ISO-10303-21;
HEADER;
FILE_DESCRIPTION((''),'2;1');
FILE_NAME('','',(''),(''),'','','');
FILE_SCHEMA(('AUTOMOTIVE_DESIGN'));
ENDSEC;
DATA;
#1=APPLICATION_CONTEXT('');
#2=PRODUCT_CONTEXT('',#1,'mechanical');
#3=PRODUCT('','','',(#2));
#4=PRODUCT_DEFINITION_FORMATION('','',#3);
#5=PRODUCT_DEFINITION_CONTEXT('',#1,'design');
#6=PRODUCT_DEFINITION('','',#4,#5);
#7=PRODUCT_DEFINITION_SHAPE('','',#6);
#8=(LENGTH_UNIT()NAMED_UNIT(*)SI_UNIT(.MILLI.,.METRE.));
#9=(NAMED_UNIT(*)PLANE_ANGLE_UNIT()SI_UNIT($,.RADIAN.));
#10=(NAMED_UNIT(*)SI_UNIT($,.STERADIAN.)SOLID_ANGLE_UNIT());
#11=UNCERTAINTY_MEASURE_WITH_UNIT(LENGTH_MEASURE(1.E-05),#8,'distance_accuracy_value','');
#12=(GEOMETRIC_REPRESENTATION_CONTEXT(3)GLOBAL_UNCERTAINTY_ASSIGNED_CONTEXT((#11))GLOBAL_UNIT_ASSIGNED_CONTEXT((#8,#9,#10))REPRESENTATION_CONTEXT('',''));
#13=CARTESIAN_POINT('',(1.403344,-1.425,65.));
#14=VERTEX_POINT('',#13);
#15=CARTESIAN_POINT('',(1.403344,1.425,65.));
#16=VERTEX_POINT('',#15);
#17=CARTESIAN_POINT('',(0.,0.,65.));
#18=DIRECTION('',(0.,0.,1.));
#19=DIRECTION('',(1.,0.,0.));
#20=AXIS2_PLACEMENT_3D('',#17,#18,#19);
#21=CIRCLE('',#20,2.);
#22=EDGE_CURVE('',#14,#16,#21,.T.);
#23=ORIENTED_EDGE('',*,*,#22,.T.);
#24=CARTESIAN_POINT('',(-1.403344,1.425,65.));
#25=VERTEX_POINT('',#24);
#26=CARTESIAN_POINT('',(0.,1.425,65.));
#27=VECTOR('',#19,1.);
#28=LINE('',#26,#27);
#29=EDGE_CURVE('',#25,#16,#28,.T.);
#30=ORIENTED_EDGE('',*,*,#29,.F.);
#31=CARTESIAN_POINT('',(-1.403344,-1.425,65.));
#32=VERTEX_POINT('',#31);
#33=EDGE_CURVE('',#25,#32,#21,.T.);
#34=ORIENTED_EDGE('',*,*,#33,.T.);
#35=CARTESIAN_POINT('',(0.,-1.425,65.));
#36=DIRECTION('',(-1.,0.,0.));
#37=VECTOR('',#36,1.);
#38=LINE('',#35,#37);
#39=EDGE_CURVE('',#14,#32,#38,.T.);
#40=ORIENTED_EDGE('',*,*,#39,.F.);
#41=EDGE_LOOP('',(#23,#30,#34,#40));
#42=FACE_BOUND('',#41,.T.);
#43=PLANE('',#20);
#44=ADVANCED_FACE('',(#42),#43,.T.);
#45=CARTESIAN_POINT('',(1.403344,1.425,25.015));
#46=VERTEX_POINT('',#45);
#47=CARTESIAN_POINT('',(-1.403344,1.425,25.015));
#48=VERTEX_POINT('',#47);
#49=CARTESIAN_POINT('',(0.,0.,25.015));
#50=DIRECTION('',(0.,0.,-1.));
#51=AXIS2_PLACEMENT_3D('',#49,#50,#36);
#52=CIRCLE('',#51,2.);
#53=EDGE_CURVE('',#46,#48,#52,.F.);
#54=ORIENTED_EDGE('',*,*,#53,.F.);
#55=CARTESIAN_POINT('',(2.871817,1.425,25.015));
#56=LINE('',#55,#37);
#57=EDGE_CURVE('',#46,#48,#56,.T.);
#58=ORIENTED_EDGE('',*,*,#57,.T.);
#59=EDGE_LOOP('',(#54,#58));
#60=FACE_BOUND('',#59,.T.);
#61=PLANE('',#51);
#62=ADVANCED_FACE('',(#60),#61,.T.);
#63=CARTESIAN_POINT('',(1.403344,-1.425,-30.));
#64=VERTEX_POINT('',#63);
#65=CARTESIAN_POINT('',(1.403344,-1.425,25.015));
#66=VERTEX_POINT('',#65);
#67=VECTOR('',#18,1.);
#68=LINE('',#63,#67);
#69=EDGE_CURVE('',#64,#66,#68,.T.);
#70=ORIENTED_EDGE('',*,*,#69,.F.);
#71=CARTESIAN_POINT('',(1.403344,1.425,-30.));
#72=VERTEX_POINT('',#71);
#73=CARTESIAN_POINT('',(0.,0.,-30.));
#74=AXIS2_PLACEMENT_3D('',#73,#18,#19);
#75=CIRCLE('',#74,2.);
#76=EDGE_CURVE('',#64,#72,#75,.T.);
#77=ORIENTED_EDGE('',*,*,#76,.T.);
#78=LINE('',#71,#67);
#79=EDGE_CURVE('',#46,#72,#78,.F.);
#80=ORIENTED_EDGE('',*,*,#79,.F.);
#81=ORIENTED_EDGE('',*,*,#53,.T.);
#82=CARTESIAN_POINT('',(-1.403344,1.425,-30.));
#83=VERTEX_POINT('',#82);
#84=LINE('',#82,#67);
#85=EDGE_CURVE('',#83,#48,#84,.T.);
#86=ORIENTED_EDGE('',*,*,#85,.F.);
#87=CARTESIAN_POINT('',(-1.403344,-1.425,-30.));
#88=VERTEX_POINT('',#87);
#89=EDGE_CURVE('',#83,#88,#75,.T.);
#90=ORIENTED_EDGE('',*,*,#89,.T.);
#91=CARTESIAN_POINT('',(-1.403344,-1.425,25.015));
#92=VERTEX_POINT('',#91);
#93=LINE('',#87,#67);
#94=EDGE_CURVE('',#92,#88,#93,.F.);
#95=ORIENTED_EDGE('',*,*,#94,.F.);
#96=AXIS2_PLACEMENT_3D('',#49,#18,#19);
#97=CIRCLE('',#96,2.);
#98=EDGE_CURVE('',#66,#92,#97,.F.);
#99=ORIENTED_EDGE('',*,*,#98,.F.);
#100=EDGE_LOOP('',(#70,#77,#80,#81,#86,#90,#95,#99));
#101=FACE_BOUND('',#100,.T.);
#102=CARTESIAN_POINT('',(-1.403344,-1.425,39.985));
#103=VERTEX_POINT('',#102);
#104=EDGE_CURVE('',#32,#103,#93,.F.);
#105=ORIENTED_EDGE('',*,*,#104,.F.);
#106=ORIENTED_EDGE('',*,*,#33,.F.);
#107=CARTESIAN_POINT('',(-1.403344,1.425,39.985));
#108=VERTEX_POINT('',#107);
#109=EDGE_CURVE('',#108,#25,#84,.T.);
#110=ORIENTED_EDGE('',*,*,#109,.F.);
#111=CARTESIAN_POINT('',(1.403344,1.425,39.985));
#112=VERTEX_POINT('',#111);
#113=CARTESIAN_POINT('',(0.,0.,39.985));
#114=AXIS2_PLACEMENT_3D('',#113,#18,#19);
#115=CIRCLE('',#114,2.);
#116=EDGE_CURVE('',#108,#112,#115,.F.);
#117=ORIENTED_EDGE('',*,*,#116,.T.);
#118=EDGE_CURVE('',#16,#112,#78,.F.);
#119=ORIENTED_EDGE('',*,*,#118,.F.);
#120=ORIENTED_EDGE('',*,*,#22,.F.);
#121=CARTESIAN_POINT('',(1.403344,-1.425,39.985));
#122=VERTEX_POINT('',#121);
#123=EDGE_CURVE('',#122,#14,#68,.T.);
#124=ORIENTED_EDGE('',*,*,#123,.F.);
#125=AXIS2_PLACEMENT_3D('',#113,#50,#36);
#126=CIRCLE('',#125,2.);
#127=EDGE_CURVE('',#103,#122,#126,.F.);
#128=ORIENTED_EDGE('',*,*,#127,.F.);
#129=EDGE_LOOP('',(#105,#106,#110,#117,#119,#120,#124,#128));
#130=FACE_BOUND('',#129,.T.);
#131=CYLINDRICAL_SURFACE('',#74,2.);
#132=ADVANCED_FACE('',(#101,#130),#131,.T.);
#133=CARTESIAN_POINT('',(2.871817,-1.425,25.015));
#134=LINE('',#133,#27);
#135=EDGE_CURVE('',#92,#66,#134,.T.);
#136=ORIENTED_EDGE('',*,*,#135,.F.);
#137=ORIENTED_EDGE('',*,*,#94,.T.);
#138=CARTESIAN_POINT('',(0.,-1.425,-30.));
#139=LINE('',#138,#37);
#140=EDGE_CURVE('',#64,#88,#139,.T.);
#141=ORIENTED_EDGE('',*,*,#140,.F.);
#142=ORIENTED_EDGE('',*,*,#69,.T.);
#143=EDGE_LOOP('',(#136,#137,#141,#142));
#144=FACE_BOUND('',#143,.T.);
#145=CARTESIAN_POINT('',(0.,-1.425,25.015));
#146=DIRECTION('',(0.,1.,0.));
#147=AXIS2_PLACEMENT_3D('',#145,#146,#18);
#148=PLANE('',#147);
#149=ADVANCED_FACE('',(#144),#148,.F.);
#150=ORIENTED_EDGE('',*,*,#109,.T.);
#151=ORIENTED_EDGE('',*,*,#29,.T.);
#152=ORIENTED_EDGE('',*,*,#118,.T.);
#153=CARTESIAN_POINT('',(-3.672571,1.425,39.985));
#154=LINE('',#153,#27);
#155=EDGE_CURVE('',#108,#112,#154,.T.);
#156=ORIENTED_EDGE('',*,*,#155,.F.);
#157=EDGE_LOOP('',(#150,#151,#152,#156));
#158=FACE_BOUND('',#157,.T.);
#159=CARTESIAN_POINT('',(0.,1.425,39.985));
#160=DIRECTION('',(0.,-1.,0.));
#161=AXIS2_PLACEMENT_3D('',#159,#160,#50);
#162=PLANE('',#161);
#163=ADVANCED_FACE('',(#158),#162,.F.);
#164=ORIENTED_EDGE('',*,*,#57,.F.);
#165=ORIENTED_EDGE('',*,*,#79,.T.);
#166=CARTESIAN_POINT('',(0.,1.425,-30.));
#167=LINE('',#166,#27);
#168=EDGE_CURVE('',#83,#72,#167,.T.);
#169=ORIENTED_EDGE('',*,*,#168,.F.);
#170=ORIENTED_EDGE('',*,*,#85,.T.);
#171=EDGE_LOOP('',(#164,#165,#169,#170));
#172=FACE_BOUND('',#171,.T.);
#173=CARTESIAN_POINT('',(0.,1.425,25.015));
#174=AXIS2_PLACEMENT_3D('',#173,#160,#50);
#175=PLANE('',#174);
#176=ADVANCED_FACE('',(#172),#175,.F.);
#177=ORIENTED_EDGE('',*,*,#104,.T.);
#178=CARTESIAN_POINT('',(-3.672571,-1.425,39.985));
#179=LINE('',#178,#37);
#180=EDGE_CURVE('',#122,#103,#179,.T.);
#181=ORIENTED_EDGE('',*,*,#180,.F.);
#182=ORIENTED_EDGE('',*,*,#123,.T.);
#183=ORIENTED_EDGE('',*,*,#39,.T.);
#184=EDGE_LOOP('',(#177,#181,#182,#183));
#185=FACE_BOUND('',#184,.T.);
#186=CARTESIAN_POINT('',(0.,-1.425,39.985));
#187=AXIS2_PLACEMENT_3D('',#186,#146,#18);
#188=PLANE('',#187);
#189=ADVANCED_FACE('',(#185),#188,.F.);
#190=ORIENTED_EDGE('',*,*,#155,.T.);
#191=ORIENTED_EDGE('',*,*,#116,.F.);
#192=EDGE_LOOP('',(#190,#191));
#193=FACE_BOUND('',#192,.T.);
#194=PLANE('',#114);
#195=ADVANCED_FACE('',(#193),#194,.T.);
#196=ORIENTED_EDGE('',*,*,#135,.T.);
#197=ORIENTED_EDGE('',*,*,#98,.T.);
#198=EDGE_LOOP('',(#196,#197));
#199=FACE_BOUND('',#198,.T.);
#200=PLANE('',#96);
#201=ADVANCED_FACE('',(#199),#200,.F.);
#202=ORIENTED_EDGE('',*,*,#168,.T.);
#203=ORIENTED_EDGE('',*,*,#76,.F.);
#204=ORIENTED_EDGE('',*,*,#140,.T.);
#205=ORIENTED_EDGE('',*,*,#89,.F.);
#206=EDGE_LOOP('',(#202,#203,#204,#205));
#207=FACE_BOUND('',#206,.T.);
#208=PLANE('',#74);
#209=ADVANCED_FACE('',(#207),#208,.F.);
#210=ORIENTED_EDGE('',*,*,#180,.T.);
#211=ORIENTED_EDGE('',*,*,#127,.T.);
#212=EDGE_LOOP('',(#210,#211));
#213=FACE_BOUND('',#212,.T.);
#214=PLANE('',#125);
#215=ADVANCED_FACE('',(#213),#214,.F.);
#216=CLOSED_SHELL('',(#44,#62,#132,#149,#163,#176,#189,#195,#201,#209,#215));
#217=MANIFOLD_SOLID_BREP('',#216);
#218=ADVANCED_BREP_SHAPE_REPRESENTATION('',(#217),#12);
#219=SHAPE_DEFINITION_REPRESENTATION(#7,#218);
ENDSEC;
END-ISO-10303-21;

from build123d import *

# Parameters (mm, degrees)
RESSALTO_EXTRUS_O1_DEPTH      = 65
RESSALTO_EXTRUS_O1_DEPTH_BACK = 30
ESBO_O1_R                     = 2
CORTE_EXTRUS_O4_DEPTH         = 25.015
CORTE_EXTRUS_O5_DEPTH         = 55.015


with BuildPart() as part:
    # Esboço1 → Ressalto-extrusão1 (new, two sides: drawn at the far end of the back side and taken through both)
    with BuildSketch(Plane.XY.offset(-RESSALTO_EXTRUS_O1_DEPTH_BACK)):
        Circle(ESBO_O1_R)
    extrude(amount=RESSALTO_EXTRUS_O1_DEPTH + RESSALTO_EXTRUS_O1_DEPTH_BACK)

    # Esboço5 → Corte-extrusão4 (cut)
    with BuildSketch(Plane.XY.offset(65)):
        Polygon((0, 1.425), (2.691542187, 1.425), (2.691542187, 2.754428638), (-3.67257147, 2.754428638), (-3.67257147, 1.425), align=None)
        Polygon((0, -1.425), (2.691542187, -1.425), (2.691542187, -2.855047036), (-3.67257147, -2.855047036), (-3.67257147, -1.425), align=None)
    extrude(amount=-CORTE_EXTRUS_O4_DEPTH, mode=Mode.SUBTRACT)

    # Esboço6 → Corte-extrusão5 (cut)
    with BuildSketch(Plane(origin=(0, 0, -30), x_dir=(-1, 0, 0), z_dir=(0, 0, -1))):
        Polygon((0, 1.425), (2.641232941, 1.425), (2.641232941, 2.588827525), (-2.871816769, 2.588827525), (-2.871816769, 1.425), align=None)
        Polygon((0, -1.425), (2.641232941, -1.425), (2.641232941, -2.693638356), (-2.871816769, -2.693638356), (-2.871816769, -1.425), align=None)
    extrude(amount=-CORTE_EXTRUS_O5_DEPTH, mode=Mode.SUBTRACT)


solid = part.part
